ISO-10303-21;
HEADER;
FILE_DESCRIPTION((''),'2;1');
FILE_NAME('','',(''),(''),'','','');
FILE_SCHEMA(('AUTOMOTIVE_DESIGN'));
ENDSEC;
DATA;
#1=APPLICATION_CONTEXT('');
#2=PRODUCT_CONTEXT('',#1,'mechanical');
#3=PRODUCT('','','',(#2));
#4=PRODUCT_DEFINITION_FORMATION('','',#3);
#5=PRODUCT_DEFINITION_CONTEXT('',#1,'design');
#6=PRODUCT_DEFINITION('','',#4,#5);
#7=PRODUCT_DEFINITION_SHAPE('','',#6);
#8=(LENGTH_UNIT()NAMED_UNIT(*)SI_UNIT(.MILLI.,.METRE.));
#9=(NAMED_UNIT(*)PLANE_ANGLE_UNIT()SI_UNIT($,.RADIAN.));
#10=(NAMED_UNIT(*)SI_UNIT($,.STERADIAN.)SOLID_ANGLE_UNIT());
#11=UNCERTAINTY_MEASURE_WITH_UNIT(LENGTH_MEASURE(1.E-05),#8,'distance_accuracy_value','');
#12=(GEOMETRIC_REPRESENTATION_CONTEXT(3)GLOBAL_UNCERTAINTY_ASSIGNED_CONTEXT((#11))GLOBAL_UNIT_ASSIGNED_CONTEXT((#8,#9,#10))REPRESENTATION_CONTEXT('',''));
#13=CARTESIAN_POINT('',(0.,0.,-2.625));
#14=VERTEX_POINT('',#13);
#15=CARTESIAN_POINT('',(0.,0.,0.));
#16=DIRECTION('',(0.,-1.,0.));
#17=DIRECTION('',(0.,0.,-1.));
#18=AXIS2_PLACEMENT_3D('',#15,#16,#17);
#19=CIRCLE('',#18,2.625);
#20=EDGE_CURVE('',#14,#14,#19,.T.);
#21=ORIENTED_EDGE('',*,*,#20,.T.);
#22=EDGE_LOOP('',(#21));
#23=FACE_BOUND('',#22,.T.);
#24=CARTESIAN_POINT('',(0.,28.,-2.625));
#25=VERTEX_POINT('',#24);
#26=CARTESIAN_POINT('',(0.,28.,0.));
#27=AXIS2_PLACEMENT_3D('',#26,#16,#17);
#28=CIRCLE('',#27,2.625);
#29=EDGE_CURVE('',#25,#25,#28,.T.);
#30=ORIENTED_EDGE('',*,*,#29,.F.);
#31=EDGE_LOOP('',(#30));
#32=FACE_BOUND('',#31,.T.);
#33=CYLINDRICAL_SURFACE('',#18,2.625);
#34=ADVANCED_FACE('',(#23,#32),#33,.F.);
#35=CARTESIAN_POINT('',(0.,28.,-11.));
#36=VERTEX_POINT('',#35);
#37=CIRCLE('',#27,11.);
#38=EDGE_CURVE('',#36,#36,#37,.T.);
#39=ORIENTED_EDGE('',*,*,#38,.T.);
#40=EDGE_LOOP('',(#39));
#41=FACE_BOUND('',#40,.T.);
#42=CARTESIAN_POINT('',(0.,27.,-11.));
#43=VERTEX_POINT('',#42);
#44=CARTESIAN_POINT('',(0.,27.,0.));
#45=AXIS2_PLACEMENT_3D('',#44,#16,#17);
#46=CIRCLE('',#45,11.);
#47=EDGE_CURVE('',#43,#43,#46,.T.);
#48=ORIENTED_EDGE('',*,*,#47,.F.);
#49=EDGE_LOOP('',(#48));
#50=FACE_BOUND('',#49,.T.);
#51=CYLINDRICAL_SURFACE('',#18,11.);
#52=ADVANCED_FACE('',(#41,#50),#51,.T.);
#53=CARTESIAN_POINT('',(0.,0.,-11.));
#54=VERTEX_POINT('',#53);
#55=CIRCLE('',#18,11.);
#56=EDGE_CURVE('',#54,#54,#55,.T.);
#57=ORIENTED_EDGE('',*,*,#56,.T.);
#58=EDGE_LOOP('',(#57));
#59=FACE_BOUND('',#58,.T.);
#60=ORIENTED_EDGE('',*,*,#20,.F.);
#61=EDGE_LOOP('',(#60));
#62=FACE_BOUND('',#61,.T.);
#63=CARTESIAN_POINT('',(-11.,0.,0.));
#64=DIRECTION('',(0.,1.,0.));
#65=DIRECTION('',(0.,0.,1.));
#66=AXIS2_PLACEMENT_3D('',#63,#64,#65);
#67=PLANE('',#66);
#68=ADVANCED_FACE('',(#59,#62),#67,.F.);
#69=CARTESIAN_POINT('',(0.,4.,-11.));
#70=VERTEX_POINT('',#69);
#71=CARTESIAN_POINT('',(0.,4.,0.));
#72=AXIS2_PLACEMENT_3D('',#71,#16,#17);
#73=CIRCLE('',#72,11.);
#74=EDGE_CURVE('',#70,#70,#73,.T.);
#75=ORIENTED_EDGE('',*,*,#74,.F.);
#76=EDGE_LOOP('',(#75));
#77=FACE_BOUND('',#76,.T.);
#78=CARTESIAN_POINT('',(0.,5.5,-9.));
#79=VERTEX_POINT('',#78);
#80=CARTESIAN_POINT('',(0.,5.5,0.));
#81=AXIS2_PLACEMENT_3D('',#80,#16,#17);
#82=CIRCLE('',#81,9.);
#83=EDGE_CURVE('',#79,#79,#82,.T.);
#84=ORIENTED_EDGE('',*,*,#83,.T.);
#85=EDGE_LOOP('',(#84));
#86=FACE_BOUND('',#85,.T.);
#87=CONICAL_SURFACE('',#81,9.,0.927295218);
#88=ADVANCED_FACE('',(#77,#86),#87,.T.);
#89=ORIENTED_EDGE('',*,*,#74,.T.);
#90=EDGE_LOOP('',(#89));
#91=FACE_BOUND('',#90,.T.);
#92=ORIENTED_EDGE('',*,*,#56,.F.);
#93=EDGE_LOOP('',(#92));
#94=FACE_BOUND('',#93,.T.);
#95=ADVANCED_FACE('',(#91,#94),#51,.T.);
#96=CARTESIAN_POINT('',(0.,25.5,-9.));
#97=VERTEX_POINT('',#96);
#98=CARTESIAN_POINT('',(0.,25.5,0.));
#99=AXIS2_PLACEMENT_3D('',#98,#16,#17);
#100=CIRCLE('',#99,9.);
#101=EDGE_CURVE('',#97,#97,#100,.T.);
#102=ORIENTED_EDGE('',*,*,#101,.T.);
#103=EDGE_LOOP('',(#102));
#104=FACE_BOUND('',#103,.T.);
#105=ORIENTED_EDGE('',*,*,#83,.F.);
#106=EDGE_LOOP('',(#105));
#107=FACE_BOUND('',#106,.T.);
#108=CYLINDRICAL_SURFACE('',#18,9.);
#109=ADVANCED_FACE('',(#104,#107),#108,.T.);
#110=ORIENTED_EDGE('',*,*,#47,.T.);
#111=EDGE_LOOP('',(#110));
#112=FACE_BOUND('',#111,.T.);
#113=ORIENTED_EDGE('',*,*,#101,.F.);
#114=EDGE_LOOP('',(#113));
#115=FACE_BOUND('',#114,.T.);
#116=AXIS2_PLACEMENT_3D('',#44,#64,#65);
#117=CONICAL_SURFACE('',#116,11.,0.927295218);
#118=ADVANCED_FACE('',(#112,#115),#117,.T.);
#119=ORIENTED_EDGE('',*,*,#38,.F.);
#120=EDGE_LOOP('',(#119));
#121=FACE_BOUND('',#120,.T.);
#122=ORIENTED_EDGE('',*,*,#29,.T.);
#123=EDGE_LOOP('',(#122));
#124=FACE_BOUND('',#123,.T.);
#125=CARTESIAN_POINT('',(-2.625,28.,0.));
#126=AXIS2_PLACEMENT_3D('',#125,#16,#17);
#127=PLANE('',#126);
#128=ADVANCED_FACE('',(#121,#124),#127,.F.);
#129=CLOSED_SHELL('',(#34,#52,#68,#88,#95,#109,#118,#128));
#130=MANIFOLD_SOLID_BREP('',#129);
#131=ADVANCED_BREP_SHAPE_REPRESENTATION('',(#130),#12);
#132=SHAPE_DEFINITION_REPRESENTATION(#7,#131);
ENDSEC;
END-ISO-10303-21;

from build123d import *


with BuildPart() as part:
    # Sketch1 → Revolve1 (revolve)
    with BuildSketch(Plane.XY):
        Polygon((-2.625, 0), (-2.625, 28), (-11, 28), (-11, 27), (-9, 25.5), (-9, 5.5), (-11, 4), (-11, 0), align=None)
    revolve(axis=Axis((0, 0, 0), (0, 1, 0)))


solid = part.part
